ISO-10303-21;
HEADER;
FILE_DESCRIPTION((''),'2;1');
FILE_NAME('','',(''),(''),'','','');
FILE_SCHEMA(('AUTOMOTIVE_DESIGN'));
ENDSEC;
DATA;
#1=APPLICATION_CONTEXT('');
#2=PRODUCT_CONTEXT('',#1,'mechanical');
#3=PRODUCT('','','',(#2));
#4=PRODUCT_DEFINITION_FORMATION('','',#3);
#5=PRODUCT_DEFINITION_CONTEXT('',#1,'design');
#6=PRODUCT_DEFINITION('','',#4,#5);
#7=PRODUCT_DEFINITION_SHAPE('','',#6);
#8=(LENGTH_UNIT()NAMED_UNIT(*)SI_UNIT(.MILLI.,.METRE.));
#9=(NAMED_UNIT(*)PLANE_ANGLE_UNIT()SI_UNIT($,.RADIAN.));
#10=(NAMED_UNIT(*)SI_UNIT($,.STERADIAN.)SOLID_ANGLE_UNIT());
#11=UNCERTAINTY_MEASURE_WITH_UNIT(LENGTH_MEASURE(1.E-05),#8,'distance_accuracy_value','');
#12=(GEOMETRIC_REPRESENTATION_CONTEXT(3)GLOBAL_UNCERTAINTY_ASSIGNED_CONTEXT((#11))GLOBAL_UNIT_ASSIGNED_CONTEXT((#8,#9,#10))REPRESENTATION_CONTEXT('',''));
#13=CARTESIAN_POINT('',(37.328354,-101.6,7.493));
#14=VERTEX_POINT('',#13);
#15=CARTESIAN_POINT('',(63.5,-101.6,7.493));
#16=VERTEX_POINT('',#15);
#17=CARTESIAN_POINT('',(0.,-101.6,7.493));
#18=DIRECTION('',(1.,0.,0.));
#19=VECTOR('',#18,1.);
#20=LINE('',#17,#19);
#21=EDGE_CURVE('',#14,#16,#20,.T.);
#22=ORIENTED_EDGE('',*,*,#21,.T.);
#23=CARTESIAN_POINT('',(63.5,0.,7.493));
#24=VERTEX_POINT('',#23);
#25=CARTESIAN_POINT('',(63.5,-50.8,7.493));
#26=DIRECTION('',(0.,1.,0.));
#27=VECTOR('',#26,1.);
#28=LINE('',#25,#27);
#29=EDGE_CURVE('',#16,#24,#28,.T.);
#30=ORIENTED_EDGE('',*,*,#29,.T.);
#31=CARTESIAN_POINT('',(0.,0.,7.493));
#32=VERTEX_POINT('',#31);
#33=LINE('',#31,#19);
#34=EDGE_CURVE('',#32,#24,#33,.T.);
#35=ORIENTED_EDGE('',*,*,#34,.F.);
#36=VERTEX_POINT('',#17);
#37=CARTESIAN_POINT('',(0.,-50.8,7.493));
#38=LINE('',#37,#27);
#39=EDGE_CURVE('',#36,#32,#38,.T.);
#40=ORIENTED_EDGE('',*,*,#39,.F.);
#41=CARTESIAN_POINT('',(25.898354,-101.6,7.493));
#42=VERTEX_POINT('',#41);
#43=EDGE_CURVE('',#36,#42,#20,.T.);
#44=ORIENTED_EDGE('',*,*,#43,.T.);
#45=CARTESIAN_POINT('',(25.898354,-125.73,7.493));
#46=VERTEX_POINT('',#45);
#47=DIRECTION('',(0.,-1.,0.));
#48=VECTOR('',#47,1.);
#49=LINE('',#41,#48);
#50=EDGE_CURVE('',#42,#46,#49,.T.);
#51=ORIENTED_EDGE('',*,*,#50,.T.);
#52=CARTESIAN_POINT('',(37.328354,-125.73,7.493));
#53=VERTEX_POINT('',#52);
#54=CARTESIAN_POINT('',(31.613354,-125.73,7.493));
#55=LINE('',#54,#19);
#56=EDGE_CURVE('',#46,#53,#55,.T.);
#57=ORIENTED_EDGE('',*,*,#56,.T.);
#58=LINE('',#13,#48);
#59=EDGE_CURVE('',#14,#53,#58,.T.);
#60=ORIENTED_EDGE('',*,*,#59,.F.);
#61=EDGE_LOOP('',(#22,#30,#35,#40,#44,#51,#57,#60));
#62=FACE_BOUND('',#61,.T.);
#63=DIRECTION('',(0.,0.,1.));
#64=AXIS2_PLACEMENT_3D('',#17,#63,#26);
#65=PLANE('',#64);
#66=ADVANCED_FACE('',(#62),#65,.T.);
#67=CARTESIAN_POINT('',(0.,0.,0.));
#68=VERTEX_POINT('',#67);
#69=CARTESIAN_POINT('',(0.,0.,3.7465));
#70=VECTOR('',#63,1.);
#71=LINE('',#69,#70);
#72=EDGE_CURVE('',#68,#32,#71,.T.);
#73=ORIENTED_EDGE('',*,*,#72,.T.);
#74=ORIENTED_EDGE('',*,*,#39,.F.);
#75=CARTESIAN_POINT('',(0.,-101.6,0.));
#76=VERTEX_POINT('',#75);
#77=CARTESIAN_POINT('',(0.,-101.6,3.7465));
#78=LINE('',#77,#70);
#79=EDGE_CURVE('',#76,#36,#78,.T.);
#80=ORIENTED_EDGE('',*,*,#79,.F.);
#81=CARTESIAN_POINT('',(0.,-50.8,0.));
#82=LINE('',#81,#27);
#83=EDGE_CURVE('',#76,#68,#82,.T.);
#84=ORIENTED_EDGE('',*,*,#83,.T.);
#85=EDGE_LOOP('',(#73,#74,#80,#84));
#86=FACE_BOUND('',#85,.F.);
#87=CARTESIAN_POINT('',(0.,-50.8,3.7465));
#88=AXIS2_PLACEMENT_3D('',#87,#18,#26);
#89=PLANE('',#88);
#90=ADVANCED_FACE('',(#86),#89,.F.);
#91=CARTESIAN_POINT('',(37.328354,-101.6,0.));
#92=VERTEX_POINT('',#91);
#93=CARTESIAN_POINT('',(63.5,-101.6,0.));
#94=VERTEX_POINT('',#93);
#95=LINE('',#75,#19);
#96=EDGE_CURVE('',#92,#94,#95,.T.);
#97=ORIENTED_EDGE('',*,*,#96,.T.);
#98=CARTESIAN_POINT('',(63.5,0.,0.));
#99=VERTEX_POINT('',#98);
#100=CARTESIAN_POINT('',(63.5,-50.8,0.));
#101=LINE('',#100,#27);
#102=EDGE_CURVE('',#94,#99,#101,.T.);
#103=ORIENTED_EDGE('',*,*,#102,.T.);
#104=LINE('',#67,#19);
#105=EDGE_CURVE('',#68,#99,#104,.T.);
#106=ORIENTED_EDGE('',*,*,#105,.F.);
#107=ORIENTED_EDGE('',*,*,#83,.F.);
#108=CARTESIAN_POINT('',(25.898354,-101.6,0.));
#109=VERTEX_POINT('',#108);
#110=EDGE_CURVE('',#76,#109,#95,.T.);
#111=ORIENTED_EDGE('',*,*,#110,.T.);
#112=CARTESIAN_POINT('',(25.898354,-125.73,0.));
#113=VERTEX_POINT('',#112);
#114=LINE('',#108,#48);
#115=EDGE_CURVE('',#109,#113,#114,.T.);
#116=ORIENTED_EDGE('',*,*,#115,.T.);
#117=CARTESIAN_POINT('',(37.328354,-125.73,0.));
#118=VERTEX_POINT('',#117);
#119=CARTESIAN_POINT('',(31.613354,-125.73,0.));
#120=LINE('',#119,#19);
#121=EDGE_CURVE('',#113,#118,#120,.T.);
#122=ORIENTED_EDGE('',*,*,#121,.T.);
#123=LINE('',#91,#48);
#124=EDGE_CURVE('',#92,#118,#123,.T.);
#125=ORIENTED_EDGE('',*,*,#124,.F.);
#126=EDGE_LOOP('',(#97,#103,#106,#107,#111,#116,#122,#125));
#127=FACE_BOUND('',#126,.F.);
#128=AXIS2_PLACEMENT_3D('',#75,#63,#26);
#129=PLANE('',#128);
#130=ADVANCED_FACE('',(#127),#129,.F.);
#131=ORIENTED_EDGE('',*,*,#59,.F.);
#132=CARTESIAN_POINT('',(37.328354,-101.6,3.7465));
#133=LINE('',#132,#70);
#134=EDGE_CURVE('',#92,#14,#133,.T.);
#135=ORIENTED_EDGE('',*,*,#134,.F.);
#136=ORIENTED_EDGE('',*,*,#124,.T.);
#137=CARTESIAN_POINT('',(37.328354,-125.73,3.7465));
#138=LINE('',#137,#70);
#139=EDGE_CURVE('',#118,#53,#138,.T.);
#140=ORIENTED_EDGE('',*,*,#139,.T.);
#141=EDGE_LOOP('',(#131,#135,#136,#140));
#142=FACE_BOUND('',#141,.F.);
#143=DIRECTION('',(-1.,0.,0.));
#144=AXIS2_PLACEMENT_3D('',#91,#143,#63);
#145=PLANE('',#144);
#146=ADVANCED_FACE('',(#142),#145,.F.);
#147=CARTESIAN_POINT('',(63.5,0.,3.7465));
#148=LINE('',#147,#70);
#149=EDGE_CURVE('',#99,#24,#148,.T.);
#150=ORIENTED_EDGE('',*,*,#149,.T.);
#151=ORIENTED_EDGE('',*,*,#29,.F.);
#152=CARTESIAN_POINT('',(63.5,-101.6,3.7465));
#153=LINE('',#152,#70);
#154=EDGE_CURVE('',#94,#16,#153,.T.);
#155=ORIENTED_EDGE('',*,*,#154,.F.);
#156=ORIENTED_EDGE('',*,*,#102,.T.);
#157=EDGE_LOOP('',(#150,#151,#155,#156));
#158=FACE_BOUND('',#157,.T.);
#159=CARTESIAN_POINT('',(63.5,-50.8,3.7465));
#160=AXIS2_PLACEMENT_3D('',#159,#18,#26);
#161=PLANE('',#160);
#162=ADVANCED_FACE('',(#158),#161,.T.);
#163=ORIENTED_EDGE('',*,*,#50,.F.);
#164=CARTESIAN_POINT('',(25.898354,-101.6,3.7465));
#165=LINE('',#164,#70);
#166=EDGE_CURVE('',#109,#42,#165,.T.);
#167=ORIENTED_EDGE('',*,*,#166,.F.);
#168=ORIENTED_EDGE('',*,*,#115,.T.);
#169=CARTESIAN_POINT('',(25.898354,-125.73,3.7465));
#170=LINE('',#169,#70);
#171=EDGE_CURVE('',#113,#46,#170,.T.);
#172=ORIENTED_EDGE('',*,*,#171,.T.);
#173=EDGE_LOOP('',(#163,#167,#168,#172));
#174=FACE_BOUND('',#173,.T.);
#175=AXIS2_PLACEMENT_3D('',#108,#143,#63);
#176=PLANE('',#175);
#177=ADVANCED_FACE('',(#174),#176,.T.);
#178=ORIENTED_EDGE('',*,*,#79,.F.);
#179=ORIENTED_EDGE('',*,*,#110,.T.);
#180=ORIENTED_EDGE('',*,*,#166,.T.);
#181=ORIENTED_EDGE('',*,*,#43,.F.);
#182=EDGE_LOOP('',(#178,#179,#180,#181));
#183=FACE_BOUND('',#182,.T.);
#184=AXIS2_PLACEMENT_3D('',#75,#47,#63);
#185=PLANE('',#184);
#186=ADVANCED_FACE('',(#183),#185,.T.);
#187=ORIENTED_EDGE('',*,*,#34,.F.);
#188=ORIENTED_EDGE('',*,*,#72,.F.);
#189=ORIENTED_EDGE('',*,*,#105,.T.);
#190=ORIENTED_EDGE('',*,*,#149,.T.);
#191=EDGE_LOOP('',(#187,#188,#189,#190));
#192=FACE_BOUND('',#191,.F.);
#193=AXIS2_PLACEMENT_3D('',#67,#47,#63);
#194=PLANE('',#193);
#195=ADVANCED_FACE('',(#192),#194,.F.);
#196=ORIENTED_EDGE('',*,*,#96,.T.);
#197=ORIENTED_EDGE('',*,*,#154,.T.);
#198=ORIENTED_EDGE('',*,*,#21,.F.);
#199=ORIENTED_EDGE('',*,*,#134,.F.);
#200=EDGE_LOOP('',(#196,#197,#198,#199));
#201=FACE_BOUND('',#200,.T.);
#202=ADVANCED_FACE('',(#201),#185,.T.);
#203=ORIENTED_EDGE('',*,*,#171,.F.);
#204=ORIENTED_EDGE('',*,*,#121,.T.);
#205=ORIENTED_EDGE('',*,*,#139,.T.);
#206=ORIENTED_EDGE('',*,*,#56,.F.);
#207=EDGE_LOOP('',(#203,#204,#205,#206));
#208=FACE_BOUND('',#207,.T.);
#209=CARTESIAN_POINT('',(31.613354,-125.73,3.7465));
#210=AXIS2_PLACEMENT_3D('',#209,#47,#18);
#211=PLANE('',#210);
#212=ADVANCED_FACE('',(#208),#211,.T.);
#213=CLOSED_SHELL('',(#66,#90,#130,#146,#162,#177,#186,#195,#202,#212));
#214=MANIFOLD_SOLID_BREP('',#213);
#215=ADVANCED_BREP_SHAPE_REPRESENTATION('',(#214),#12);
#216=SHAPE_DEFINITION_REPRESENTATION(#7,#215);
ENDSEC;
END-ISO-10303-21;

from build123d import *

# Parameters (mm, degrees)
F0_W     = 101.6
F0_H     = 7.493
F1_DEPTH = 63.5
F3_W     = 11.43
F3_H     = 7.493
F4_DEPTH = 24.13


with BuildPart() as f1:
    # F0 (on Right) → F1 (new body)
    with BuildSketch(Plane.YZ):
        with Locations((-50.8, 3.7465)):
            Rectangle(F0_W, F0_H)
    extrude(amount=F1_DEPTH)

    # F3 (on face) → F4 (join)
    with BuildSketch(Plane.XZ.offset(101.6)):
        with Locations((31.613354, 3.7465)):
            Rectangle(F3_W, F3_H)
    extrude(amount=F4_DEPTH)


solid = f1.part
